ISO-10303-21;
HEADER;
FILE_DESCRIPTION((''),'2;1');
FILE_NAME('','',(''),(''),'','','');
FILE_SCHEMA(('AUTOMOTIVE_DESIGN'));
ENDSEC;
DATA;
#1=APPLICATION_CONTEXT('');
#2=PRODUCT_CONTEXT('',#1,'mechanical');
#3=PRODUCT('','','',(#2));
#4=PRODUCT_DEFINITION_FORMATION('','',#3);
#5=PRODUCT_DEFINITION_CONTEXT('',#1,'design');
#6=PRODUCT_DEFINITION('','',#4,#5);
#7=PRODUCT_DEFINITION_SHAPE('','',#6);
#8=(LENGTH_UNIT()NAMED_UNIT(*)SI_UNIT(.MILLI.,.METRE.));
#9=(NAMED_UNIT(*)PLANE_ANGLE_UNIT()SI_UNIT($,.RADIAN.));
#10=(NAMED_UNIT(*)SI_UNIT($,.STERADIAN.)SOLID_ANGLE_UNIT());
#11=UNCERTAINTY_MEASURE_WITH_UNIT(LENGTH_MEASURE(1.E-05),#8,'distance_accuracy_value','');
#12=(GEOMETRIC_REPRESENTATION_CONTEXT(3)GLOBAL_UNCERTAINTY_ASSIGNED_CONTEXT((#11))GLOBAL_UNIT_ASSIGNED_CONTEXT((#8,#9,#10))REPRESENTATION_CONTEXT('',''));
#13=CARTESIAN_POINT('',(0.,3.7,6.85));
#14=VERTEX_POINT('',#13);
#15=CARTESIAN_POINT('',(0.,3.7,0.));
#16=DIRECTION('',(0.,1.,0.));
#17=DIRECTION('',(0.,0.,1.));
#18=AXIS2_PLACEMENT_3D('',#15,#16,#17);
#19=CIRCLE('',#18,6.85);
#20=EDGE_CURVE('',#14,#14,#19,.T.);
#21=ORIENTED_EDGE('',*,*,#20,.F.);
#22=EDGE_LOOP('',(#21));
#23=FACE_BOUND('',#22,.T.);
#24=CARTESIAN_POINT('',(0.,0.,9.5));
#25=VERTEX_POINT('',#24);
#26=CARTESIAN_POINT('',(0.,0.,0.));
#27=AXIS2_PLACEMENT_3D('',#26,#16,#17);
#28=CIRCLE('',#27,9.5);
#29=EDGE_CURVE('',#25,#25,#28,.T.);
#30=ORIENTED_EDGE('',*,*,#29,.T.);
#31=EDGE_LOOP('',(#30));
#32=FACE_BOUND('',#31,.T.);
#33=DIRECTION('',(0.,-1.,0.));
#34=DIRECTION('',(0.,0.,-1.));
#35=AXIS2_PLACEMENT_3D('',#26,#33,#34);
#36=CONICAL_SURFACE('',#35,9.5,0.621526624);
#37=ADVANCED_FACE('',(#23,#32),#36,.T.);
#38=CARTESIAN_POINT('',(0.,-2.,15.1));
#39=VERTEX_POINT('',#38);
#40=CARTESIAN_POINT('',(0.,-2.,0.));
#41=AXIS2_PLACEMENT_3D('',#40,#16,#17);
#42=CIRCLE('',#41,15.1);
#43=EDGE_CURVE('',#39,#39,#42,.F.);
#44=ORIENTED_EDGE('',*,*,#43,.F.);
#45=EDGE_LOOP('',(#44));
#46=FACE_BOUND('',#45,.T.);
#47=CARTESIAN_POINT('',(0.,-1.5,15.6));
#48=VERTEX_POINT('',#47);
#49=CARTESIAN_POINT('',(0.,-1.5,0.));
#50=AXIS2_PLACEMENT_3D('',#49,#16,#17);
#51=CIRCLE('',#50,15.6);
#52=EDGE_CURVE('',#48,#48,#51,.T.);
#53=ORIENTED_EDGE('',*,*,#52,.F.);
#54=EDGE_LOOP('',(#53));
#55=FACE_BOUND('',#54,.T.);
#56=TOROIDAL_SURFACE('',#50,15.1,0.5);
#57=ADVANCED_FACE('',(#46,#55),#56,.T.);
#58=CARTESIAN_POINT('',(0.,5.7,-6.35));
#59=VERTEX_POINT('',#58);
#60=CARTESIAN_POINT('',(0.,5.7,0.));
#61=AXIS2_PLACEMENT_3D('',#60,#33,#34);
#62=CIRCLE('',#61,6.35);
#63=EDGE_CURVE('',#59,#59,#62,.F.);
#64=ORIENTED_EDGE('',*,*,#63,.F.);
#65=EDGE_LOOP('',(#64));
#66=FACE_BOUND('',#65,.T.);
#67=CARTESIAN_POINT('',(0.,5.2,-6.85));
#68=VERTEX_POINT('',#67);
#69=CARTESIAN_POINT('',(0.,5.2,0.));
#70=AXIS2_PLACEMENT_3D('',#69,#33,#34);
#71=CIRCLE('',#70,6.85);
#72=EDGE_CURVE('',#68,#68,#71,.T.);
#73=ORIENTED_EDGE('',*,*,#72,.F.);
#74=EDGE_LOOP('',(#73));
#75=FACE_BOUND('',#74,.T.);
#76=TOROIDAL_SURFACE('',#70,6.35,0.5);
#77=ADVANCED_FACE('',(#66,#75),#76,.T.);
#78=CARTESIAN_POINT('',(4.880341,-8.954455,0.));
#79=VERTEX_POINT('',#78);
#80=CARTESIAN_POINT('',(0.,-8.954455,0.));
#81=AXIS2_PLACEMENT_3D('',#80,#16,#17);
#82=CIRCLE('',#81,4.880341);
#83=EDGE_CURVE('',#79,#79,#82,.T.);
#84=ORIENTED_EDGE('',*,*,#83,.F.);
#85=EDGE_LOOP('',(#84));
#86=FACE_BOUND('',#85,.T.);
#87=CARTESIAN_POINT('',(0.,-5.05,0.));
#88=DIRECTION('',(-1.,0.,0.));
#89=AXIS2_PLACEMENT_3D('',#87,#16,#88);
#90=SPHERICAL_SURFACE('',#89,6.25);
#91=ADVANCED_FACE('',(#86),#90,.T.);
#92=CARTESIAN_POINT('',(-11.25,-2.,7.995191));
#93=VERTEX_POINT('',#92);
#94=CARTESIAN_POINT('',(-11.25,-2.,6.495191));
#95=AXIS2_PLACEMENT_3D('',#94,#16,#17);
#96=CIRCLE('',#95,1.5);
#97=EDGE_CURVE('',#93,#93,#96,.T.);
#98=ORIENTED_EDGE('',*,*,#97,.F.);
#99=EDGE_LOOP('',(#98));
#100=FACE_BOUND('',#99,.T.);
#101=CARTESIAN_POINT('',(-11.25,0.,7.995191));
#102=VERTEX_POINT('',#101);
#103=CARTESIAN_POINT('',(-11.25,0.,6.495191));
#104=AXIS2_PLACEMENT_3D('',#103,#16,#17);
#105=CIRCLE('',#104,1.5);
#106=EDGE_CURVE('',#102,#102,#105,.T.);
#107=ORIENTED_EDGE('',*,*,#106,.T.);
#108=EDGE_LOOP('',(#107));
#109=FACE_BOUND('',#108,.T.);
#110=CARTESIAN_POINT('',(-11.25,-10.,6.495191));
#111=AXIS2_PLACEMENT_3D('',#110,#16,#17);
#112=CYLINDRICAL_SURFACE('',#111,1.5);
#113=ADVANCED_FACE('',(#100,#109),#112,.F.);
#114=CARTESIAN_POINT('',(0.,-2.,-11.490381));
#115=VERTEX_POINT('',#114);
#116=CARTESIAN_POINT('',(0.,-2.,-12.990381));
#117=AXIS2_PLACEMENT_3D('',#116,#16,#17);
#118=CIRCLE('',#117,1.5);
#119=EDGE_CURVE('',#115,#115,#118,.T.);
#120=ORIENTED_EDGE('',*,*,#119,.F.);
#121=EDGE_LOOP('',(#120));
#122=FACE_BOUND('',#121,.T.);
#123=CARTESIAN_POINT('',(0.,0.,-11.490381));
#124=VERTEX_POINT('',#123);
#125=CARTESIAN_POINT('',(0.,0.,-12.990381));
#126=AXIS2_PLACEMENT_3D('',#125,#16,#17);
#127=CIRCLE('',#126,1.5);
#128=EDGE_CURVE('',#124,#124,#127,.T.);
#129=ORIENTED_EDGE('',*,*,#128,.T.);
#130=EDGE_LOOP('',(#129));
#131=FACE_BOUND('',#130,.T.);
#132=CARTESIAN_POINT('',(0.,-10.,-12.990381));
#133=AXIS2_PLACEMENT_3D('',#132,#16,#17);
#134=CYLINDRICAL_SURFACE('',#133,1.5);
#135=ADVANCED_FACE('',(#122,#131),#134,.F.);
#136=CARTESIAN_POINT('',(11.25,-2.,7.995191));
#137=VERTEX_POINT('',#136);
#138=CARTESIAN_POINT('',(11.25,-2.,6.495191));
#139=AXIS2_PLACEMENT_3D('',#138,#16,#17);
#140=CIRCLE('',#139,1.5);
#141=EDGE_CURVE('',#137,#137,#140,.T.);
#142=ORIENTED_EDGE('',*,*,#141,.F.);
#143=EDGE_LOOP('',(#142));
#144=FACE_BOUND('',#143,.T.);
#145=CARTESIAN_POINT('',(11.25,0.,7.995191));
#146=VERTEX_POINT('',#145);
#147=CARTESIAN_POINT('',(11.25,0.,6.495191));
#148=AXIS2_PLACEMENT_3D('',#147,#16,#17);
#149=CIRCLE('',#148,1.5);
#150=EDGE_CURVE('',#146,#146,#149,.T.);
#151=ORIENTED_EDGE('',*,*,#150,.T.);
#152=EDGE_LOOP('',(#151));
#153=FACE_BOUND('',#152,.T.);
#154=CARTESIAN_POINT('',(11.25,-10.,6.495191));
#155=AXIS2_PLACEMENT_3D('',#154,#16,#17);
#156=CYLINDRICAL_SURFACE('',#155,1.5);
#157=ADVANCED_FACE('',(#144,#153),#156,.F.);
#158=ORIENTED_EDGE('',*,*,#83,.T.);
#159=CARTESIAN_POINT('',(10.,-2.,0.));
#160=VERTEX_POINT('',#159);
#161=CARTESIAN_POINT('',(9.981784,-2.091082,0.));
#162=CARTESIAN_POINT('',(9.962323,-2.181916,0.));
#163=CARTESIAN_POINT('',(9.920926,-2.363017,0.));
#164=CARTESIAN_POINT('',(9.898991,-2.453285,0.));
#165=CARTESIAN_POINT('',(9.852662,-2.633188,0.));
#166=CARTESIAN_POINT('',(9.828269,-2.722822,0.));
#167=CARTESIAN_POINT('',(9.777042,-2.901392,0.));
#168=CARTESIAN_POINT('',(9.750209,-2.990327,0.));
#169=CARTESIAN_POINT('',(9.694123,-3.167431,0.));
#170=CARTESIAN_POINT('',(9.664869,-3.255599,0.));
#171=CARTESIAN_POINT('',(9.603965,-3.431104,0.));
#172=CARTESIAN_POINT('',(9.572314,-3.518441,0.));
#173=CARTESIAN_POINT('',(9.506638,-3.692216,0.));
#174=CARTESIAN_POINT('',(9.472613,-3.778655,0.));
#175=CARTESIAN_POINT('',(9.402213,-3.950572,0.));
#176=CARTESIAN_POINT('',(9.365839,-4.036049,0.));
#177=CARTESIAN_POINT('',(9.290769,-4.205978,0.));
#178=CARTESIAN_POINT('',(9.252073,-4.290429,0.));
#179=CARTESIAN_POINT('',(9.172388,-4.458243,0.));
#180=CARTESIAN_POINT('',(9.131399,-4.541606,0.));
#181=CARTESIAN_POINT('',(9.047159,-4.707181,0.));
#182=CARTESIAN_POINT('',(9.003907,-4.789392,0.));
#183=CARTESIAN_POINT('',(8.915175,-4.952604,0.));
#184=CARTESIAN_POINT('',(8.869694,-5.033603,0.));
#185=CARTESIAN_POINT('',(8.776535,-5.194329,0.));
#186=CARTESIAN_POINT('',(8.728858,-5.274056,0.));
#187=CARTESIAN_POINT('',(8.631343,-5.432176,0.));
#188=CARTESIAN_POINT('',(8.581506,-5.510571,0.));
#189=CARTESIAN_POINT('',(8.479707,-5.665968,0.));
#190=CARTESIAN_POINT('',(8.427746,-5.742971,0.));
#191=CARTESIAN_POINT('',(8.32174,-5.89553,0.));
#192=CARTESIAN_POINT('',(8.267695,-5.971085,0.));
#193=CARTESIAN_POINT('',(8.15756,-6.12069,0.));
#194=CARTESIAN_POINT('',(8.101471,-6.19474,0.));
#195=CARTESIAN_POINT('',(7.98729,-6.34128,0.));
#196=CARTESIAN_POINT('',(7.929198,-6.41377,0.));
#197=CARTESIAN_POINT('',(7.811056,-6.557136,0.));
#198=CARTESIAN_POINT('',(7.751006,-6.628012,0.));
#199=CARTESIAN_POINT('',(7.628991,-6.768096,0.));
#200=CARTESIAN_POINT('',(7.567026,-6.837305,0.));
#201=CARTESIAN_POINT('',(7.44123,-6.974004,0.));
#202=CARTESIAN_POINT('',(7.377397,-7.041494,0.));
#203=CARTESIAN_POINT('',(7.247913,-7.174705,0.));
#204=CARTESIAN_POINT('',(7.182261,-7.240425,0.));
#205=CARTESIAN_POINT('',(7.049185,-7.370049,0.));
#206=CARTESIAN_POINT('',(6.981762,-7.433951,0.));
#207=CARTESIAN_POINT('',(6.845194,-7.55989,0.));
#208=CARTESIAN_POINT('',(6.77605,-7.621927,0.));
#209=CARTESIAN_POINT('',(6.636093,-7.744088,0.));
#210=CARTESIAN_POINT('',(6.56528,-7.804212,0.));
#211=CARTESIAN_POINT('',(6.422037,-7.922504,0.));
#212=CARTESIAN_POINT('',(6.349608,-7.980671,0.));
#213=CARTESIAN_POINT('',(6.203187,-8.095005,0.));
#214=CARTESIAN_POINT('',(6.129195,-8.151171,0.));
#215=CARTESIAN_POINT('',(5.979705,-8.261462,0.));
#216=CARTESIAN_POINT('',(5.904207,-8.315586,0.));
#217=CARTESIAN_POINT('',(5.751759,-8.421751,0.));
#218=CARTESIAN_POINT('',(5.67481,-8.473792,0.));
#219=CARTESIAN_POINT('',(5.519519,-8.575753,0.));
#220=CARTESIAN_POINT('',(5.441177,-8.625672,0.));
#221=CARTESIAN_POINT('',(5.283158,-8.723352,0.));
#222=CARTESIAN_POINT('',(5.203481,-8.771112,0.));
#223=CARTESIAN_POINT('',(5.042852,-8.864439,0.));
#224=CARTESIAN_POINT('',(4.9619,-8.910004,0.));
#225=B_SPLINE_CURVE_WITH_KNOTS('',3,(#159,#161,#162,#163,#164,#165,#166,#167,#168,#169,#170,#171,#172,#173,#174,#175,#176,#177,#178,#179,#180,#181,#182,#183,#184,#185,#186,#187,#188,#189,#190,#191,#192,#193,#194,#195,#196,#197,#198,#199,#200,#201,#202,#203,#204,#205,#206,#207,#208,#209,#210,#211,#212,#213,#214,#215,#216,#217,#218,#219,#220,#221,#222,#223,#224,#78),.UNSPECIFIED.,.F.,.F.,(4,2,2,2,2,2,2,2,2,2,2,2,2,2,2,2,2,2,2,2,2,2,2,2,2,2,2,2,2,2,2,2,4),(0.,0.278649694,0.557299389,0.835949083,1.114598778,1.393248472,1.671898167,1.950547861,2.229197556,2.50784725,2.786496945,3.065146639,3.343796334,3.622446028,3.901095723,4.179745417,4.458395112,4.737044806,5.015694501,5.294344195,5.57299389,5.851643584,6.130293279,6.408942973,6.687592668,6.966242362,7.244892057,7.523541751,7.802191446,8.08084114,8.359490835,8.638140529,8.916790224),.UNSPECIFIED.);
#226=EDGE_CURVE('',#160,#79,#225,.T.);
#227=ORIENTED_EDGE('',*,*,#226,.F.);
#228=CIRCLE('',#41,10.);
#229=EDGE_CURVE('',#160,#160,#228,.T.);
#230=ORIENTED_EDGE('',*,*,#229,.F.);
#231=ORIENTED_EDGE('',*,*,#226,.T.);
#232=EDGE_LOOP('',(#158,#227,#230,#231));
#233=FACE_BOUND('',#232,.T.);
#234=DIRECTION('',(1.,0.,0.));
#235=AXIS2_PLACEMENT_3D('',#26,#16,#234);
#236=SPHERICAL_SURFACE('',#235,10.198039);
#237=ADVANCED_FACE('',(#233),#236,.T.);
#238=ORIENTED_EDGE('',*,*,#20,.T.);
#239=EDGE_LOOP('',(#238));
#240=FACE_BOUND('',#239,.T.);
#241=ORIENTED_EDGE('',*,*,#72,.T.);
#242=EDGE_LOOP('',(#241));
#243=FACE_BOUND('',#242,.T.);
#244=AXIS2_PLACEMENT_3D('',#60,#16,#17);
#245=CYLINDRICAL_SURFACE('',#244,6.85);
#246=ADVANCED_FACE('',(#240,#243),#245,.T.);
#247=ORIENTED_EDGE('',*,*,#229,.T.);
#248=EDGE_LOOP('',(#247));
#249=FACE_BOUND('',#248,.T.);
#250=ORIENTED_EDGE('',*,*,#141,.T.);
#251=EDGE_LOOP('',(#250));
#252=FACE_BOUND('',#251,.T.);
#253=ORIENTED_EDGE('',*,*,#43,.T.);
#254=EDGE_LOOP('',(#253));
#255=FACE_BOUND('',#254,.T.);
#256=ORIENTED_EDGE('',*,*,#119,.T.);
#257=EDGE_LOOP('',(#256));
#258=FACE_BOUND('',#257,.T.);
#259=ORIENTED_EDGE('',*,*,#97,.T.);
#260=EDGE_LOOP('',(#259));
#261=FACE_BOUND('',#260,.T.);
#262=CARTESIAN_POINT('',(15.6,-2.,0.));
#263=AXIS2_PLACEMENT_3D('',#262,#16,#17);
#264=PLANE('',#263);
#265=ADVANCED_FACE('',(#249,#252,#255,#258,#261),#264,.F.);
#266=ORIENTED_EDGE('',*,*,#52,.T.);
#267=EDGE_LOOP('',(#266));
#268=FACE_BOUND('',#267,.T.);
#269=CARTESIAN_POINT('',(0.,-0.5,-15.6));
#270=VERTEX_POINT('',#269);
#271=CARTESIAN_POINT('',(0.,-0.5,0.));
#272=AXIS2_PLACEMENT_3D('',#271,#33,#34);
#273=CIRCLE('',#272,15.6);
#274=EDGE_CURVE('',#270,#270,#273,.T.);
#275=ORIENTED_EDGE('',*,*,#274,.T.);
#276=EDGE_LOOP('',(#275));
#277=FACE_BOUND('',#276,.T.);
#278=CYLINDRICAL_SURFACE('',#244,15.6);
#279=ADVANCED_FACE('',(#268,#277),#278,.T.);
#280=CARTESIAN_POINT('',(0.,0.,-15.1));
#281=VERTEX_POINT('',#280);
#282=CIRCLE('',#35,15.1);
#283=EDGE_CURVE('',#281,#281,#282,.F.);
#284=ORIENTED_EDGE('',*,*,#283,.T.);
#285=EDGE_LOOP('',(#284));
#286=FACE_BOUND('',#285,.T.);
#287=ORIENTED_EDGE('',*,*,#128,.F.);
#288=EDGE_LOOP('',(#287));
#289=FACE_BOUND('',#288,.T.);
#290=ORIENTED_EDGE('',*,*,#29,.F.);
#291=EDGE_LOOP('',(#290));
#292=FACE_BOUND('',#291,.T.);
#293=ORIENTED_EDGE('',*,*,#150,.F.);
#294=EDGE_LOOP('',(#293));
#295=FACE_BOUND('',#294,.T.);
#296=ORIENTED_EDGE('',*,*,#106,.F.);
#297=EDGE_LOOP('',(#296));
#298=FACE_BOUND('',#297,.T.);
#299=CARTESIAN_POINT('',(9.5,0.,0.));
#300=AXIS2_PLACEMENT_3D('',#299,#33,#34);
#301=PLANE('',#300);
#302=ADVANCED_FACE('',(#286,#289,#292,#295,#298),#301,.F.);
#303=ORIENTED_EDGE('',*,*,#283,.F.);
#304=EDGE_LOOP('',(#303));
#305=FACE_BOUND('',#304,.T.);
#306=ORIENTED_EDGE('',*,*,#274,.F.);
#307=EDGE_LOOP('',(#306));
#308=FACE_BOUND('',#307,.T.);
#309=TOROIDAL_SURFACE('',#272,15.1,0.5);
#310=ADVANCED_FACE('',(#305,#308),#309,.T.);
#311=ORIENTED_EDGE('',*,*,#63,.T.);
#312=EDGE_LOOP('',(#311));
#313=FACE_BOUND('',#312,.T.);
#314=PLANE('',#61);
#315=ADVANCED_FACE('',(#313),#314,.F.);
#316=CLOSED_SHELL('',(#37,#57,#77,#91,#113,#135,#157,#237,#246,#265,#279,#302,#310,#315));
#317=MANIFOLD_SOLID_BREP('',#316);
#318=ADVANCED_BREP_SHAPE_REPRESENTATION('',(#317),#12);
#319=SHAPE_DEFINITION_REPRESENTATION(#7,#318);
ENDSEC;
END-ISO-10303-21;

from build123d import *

# Parameters (mm, degrees)
CONG_1_R                = 0.5
ESQUISSE2_R             = 1.5
ENL_V_MAT_EXTRU_1_DEPTH = 10


with BuildPart() as part:
    # Esquisse1 → Révolution1 (revolve)
    with BuildSketch(Plane.XY, mode=Mode.PRIVATE) as r_volution1_sk:
        with BuildLine():
            Line((0, 5.7), (6.85, 5.7))
            Line((6.85, 5.7), (6.85, 3.7))
            Line((6.85, 3.7), (9.5, 0))
            Line((9.5, 0), (15.6, 0))
            Line((15.6, 0), (15.6, -2))
            Line((15.6, -2), (10, -2))
            ThreePointArc((10, -2), (8.212627426, -6.045887094), (4.880340938, -8.954455446))
            ThreePointArc((4.880340938, -8.954455446), (2.707365275, -10.683176126), (0, -11.3))
            Line((0, -11.3), (0, 5.7))
        make_face()
    revolve(r_volution1_sk.sketch.rotate(Axis((0, 5.7, 0), (0, -1, 0)), 90), axis=Axis((0, 5.7, 0), (0, -1, 0)))

    # Congé1
    cong_1_edges = [part.edges().sort_by_distance(p)[0] for p in [
        (0, 5.7, -6.85),
        (0, 0, -15.6),
        (0, -2, -15.6),
    ]]
    fillet(cong_1_edges, radius=CONG_1_R)

    # Esquisse2 → Enlèv. mat.-Extru.1 (cut)
    with BuildSketch(Plane(origin=(0, 0, 0), x_dir=(1, 0, 0), z_dir=(0, 1, 0))):
        with Locations(Location((0, 12.990381057, 0), (0, 0, 270))):
            Circle(ESQUISSE2_R)
        with Locations(Location((11.25, -6.495190528, 0), (0, 0, 270))):
            Circle(ESQUISSE2_R)
        with Locations(Location((-11.25, -6.495190528, 0), (0, 0, 270))):
            Circle(ESQUISSE2_R)
    extrude(amount=-ENL_V_MAT_EXTRU_1_DEPTH, mode=Mode.SUBTRACT)


solid = part.part
